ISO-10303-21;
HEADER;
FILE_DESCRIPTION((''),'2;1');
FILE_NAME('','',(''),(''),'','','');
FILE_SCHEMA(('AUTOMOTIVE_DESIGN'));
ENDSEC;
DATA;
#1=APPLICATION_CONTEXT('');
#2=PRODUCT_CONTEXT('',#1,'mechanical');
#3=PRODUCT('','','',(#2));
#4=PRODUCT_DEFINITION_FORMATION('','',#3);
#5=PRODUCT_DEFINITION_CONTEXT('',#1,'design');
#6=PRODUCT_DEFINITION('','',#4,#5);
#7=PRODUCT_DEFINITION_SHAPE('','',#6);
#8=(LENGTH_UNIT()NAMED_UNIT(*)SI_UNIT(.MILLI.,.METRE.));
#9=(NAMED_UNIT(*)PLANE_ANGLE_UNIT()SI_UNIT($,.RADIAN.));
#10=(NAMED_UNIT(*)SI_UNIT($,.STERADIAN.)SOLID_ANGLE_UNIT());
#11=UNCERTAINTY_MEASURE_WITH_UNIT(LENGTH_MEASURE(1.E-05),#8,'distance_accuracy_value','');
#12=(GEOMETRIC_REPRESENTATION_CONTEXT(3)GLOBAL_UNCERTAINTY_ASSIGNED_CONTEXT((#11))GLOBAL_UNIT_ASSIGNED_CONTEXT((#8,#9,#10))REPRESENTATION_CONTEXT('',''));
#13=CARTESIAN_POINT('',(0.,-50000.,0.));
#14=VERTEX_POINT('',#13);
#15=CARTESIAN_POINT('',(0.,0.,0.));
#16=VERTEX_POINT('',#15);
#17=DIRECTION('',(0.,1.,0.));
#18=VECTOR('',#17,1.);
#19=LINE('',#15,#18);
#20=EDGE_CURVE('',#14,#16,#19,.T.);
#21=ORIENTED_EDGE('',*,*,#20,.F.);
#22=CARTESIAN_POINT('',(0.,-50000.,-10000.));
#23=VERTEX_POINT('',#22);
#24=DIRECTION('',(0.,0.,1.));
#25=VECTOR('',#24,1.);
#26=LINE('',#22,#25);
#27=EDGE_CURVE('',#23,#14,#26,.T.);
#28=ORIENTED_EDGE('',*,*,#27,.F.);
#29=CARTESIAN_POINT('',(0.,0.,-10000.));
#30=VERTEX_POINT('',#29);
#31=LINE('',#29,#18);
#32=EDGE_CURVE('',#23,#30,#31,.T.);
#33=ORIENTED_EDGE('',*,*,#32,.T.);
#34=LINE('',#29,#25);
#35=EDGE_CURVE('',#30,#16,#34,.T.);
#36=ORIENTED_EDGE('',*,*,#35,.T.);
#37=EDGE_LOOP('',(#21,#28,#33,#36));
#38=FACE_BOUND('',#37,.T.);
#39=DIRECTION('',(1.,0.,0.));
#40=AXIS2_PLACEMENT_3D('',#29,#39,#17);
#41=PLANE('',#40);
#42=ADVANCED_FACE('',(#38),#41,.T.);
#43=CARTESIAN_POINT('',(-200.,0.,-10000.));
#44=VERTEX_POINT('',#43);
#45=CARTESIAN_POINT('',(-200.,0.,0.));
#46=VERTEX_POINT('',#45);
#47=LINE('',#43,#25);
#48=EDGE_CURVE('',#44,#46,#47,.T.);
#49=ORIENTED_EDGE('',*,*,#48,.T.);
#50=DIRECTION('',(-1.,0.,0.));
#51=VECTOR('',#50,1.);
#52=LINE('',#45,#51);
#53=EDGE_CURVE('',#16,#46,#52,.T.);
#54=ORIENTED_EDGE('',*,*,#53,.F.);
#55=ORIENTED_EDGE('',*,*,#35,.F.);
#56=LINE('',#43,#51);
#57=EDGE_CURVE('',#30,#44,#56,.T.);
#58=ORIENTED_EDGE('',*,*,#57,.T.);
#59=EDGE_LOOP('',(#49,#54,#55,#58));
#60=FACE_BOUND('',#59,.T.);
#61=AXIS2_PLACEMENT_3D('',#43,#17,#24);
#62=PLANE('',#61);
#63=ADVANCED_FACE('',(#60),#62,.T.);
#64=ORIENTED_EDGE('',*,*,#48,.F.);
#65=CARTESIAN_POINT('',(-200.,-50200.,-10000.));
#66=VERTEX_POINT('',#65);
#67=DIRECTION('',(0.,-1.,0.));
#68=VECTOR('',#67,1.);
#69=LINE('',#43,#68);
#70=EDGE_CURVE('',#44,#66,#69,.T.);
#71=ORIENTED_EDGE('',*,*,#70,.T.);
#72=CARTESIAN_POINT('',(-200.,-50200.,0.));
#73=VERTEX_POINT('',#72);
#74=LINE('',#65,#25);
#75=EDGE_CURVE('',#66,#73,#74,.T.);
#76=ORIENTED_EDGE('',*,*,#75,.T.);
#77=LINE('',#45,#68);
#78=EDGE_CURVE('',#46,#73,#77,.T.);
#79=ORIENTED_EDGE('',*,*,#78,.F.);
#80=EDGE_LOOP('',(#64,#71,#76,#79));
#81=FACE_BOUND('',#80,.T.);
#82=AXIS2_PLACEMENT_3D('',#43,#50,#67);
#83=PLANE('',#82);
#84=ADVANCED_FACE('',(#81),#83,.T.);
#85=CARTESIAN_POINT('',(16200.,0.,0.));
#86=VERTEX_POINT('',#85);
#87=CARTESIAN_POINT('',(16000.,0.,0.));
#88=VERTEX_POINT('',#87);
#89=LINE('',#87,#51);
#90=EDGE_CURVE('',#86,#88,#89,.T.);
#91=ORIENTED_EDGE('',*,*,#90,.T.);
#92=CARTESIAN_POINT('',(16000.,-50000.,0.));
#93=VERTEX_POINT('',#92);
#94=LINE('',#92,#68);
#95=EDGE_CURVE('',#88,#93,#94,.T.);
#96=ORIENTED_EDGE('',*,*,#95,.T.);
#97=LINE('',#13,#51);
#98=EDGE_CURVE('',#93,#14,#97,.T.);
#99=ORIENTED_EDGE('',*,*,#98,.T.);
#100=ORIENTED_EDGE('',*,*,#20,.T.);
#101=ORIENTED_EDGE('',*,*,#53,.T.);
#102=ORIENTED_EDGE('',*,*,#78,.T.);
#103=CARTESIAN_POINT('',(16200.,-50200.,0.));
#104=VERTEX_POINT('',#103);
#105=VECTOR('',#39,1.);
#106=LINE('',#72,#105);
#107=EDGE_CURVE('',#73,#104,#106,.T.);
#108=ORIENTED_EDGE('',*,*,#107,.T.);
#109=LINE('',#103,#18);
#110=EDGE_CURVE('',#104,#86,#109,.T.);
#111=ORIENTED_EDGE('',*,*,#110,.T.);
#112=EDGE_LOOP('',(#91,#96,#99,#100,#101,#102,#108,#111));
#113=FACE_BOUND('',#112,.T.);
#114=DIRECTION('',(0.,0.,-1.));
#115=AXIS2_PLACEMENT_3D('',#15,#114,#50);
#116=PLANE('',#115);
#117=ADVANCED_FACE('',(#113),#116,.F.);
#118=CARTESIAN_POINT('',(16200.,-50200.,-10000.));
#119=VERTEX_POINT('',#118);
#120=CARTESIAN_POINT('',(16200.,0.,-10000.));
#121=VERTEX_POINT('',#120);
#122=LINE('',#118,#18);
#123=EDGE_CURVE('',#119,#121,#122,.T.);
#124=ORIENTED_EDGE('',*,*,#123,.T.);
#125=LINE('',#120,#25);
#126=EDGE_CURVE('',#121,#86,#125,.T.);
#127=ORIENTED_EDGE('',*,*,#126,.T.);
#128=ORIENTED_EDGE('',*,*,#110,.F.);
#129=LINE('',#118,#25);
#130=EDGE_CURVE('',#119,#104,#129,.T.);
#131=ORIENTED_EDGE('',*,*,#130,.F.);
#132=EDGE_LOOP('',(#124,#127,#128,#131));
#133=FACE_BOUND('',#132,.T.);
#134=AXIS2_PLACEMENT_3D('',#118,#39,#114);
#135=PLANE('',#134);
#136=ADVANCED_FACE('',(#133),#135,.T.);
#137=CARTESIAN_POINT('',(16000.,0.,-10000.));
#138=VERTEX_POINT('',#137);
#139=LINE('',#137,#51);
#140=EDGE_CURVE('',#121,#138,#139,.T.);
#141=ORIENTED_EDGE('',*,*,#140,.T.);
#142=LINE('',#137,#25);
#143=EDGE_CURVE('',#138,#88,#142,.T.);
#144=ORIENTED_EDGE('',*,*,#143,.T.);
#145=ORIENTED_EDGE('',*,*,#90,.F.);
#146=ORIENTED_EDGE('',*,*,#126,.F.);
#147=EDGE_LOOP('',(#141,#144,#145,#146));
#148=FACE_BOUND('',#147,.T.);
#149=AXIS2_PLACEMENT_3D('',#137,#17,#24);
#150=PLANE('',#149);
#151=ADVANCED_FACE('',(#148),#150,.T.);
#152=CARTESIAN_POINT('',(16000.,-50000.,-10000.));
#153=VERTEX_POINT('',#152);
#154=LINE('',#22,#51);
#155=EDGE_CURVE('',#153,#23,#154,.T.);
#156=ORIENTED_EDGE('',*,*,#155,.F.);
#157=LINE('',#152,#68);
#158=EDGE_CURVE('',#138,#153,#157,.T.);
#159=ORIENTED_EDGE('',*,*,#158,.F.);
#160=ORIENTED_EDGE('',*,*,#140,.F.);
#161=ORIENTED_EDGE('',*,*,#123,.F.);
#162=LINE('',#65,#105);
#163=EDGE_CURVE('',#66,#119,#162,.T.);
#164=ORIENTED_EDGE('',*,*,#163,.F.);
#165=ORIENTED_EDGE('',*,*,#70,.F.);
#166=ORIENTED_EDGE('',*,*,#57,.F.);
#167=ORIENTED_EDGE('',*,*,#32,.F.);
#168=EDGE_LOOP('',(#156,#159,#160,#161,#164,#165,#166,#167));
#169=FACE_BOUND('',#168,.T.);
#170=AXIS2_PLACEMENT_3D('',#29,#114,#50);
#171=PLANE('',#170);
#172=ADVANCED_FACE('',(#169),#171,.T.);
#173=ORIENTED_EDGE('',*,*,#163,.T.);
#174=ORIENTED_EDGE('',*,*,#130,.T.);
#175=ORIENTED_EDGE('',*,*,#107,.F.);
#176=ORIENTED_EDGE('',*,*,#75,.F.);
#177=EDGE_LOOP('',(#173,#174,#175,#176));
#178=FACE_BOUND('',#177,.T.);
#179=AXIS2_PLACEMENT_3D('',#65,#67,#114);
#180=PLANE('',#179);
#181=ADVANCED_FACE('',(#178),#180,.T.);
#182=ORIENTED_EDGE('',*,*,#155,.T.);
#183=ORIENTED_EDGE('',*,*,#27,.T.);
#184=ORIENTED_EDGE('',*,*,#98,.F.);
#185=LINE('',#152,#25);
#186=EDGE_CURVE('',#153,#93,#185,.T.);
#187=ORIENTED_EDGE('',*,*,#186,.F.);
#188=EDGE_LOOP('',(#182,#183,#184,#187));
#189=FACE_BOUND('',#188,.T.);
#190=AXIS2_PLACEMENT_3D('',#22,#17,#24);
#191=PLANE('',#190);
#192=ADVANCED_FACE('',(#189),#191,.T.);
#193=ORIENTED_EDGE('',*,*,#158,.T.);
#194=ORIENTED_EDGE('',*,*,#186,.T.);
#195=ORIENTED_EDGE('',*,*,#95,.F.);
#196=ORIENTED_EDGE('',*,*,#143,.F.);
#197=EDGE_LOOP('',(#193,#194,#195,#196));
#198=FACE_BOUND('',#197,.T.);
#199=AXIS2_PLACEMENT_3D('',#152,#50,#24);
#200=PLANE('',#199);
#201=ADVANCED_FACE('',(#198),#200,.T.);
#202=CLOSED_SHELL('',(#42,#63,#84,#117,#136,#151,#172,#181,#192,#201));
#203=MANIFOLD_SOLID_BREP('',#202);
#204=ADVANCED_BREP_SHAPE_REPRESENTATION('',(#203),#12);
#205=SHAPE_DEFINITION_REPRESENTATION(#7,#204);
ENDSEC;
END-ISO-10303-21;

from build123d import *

# Parameters (mm, degrees)
BOSS_EXTRUDE1_DEPTH = 10000


with BuildPart() as part:
    # Sketch2 → Boss-Extrude1 (new body)
    with BuildSketch(Plane.XY):
        Polygon((0, 0), (0, -50000), (16000, -50000), (16000, 0), (16200, 0), (16200, -50200), (-200, -50200), (-200, 0), align=None)
    extrude(amount=-BOSS_EXTRUDE1_DEPTH)


solid = part.part
